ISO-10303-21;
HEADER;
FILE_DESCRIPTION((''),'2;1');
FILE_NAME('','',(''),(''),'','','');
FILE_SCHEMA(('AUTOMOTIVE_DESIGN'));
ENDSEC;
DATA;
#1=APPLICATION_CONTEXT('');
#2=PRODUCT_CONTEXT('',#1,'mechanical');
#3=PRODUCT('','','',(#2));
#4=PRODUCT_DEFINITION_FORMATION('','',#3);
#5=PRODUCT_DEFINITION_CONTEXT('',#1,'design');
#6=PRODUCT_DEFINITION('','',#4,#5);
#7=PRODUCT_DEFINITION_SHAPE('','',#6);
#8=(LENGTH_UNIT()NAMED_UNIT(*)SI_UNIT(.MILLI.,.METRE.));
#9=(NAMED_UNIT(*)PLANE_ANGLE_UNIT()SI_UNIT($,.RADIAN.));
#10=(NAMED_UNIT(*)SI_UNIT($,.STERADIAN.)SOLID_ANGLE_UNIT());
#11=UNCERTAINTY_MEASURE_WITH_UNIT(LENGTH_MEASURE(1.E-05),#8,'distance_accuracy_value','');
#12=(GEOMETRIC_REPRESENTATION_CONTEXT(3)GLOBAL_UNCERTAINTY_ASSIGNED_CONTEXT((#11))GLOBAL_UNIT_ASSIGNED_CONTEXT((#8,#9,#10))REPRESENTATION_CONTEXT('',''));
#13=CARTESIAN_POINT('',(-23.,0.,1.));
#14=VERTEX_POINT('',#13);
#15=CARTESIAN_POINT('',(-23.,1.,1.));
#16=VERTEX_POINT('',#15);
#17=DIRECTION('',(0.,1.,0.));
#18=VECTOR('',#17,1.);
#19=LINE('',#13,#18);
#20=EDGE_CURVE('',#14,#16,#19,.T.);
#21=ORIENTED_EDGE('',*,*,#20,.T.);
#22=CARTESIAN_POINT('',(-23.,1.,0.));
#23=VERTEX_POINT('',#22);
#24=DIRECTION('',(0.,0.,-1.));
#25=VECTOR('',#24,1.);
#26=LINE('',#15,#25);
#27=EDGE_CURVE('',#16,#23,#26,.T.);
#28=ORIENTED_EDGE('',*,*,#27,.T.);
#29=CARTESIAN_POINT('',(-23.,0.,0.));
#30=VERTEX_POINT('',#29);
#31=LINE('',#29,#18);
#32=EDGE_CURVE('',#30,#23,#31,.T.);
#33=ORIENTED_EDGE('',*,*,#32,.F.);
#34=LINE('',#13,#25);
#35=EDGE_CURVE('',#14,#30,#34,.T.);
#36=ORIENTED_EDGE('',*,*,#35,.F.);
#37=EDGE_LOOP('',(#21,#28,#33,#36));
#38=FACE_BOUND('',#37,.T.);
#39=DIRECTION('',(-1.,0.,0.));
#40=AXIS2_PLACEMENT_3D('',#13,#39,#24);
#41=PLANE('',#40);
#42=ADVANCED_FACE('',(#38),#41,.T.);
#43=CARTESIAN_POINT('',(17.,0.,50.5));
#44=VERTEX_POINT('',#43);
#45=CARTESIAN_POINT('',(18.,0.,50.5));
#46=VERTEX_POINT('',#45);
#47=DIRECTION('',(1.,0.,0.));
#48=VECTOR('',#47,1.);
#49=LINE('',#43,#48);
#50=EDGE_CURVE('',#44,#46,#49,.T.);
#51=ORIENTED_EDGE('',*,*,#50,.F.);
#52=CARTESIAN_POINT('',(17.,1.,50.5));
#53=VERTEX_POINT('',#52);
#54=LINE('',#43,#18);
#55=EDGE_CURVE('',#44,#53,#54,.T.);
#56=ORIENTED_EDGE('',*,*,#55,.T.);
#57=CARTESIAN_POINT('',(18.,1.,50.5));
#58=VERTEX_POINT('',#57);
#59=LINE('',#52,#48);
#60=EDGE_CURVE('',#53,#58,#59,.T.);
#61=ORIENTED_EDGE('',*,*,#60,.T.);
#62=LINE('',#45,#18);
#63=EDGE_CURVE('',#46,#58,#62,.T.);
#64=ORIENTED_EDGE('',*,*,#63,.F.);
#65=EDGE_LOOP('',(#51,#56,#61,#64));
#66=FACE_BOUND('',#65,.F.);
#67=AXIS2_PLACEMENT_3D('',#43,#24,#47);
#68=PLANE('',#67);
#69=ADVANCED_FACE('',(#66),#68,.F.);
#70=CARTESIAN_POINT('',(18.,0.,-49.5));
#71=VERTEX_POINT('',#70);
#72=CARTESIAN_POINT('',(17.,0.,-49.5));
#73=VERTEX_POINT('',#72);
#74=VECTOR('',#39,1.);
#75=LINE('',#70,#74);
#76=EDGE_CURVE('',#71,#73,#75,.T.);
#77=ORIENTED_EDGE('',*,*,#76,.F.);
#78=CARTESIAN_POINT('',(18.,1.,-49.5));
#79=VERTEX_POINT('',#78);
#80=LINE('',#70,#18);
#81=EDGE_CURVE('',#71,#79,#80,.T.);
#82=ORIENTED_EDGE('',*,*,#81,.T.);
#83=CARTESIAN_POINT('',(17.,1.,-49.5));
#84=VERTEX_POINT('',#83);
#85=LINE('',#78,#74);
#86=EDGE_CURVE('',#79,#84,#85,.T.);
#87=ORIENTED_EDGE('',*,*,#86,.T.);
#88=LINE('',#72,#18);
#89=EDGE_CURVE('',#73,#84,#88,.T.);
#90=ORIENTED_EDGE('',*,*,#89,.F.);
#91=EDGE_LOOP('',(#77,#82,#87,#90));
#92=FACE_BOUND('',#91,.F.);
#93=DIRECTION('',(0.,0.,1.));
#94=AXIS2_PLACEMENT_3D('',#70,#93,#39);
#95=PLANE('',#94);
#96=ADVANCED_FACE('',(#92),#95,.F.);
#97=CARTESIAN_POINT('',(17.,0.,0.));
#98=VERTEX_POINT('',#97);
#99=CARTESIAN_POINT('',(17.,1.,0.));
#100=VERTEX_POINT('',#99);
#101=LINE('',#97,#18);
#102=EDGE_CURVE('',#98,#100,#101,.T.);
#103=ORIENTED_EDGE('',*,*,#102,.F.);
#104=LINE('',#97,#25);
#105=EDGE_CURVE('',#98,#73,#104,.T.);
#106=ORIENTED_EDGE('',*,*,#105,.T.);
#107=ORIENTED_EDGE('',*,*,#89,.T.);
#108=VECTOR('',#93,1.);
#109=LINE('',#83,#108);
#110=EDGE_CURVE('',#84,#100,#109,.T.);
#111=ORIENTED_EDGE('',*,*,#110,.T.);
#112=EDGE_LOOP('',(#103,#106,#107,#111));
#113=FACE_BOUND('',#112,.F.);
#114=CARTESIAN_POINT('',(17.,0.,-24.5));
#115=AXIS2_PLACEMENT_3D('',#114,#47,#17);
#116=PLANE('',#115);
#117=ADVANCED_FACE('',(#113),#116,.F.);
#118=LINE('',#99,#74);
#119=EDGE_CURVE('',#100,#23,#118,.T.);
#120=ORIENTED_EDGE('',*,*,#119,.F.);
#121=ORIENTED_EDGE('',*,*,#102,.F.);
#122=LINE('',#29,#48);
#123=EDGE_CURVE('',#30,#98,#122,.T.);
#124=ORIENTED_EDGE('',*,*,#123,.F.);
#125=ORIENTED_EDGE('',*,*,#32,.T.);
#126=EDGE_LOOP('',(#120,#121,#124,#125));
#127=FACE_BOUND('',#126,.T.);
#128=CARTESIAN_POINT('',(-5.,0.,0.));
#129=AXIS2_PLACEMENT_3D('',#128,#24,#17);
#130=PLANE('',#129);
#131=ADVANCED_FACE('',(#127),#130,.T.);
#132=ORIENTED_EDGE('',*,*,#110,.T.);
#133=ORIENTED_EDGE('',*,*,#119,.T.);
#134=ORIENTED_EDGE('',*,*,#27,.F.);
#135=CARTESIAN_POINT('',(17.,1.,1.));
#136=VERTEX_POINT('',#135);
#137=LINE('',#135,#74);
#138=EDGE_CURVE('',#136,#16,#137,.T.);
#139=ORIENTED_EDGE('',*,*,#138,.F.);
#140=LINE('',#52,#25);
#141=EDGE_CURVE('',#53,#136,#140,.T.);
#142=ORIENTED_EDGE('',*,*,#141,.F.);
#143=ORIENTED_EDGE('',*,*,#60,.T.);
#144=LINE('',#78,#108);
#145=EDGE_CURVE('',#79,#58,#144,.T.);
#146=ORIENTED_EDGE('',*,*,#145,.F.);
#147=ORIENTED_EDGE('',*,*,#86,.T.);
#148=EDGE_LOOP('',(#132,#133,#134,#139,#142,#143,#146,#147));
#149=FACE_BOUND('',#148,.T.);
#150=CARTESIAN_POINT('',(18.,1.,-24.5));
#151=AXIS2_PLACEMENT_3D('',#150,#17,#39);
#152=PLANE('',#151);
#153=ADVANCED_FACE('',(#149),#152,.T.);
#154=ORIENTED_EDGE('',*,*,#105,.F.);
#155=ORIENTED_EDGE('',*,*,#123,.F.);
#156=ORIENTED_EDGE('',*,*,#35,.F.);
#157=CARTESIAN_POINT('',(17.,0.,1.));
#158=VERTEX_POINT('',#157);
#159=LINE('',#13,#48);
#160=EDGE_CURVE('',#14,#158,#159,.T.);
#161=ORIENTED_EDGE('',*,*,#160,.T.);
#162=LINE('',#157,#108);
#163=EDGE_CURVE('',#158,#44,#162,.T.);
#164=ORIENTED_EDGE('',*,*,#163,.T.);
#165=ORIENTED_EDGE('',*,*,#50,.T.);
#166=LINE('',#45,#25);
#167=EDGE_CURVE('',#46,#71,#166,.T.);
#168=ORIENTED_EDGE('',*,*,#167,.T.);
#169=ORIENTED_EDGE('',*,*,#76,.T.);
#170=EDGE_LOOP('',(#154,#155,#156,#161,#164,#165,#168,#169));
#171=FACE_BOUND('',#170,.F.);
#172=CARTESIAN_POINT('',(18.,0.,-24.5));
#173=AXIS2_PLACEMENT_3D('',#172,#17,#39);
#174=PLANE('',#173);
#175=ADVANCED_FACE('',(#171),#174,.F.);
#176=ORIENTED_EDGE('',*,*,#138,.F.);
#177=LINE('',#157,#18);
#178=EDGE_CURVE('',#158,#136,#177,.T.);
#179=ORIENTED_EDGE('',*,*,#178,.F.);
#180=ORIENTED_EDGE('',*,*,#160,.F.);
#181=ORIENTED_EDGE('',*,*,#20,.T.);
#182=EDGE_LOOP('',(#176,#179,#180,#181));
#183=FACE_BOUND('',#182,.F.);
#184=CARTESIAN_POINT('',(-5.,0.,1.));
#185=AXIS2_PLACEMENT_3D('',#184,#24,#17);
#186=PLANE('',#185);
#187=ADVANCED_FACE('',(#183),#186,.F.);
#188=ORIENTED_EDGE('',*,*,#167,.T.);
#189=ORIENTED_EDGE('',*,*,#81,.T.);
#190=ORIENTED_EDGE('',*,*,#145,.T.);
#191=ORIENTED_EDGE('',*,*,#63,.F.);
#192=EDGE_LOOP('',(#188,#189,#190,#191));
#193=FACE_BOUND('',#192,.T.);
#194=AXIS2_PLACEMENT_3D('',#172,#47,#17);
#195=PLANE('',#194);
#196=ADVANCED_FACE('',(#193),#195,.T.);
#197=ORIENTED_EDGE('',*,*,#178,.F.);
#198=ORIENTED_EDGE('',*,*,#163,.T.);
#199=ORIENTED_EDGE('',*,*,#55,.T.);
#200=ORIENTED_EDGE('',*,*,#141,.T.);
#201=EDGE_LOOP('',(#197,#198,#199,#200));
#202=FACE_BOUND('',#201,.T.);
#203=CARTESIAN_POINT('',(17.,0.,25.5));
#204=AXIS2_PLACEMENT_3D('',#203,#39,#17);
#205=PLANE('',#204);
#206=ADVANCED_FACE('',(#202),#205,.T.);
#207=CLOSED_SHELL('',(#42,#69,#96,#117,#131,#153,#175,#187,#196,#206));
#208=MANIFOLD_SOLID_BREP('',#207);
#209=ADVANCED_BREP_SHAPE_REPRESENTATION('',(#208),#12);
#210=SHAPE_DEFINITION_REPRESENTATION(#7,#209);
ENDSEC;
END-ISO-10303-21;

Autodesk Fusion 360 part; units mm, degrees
sketch "Sketch1" plane through (0, 0, 0) normal (0, 1, 0) x (1, 0, 0)
  line L0 (0, 0) -> (17, 0)
  line L1 (17, 0) -> (17, -1)
  line L2 (17, -1) -> (0, -1)
  line L3 (0, -1) -> (0, 0)
  line L4 (17, -1) -> (17, -0.5)
  line L5 (17, -0.5) -> (17.5, -0.5)
  line L6 (18, 24.5) -> (17, 24.5)
  line L7 (17, 24.5) -> (17, -25.5)
  line L8 (17, -25.5) -> (18, -25.5)
  line L9 (18, -25.5) -> (18, 24.5)
  point P0 (17.5, -0.5)
  dimension "d1" = 17
  dimension "d2" = 1
  dimension "d3" = 1
  dimension "d4" = 50
extrude "Extrude1" add sketch "Sketch1" along normal blind 1
extrude "Extrude2" add 1 faces at (0, 0.3333, 0.6667) along direction (-1, 0, 0) blind 5
extrude "Extrude3" add 1 faces at (-5, 0.3333, 0.6667) along direction (-1, 0, 0) blind 18
extrude "Extrude4" add 1 faces at (17.3333, 0.3333, 25.5) along direction (0, 0, 1) blind 25
extrude "Extrude5" add 1 faces at (17.6667, 0.3333, -24.5) along direction (0, 0, -1) blind 25
